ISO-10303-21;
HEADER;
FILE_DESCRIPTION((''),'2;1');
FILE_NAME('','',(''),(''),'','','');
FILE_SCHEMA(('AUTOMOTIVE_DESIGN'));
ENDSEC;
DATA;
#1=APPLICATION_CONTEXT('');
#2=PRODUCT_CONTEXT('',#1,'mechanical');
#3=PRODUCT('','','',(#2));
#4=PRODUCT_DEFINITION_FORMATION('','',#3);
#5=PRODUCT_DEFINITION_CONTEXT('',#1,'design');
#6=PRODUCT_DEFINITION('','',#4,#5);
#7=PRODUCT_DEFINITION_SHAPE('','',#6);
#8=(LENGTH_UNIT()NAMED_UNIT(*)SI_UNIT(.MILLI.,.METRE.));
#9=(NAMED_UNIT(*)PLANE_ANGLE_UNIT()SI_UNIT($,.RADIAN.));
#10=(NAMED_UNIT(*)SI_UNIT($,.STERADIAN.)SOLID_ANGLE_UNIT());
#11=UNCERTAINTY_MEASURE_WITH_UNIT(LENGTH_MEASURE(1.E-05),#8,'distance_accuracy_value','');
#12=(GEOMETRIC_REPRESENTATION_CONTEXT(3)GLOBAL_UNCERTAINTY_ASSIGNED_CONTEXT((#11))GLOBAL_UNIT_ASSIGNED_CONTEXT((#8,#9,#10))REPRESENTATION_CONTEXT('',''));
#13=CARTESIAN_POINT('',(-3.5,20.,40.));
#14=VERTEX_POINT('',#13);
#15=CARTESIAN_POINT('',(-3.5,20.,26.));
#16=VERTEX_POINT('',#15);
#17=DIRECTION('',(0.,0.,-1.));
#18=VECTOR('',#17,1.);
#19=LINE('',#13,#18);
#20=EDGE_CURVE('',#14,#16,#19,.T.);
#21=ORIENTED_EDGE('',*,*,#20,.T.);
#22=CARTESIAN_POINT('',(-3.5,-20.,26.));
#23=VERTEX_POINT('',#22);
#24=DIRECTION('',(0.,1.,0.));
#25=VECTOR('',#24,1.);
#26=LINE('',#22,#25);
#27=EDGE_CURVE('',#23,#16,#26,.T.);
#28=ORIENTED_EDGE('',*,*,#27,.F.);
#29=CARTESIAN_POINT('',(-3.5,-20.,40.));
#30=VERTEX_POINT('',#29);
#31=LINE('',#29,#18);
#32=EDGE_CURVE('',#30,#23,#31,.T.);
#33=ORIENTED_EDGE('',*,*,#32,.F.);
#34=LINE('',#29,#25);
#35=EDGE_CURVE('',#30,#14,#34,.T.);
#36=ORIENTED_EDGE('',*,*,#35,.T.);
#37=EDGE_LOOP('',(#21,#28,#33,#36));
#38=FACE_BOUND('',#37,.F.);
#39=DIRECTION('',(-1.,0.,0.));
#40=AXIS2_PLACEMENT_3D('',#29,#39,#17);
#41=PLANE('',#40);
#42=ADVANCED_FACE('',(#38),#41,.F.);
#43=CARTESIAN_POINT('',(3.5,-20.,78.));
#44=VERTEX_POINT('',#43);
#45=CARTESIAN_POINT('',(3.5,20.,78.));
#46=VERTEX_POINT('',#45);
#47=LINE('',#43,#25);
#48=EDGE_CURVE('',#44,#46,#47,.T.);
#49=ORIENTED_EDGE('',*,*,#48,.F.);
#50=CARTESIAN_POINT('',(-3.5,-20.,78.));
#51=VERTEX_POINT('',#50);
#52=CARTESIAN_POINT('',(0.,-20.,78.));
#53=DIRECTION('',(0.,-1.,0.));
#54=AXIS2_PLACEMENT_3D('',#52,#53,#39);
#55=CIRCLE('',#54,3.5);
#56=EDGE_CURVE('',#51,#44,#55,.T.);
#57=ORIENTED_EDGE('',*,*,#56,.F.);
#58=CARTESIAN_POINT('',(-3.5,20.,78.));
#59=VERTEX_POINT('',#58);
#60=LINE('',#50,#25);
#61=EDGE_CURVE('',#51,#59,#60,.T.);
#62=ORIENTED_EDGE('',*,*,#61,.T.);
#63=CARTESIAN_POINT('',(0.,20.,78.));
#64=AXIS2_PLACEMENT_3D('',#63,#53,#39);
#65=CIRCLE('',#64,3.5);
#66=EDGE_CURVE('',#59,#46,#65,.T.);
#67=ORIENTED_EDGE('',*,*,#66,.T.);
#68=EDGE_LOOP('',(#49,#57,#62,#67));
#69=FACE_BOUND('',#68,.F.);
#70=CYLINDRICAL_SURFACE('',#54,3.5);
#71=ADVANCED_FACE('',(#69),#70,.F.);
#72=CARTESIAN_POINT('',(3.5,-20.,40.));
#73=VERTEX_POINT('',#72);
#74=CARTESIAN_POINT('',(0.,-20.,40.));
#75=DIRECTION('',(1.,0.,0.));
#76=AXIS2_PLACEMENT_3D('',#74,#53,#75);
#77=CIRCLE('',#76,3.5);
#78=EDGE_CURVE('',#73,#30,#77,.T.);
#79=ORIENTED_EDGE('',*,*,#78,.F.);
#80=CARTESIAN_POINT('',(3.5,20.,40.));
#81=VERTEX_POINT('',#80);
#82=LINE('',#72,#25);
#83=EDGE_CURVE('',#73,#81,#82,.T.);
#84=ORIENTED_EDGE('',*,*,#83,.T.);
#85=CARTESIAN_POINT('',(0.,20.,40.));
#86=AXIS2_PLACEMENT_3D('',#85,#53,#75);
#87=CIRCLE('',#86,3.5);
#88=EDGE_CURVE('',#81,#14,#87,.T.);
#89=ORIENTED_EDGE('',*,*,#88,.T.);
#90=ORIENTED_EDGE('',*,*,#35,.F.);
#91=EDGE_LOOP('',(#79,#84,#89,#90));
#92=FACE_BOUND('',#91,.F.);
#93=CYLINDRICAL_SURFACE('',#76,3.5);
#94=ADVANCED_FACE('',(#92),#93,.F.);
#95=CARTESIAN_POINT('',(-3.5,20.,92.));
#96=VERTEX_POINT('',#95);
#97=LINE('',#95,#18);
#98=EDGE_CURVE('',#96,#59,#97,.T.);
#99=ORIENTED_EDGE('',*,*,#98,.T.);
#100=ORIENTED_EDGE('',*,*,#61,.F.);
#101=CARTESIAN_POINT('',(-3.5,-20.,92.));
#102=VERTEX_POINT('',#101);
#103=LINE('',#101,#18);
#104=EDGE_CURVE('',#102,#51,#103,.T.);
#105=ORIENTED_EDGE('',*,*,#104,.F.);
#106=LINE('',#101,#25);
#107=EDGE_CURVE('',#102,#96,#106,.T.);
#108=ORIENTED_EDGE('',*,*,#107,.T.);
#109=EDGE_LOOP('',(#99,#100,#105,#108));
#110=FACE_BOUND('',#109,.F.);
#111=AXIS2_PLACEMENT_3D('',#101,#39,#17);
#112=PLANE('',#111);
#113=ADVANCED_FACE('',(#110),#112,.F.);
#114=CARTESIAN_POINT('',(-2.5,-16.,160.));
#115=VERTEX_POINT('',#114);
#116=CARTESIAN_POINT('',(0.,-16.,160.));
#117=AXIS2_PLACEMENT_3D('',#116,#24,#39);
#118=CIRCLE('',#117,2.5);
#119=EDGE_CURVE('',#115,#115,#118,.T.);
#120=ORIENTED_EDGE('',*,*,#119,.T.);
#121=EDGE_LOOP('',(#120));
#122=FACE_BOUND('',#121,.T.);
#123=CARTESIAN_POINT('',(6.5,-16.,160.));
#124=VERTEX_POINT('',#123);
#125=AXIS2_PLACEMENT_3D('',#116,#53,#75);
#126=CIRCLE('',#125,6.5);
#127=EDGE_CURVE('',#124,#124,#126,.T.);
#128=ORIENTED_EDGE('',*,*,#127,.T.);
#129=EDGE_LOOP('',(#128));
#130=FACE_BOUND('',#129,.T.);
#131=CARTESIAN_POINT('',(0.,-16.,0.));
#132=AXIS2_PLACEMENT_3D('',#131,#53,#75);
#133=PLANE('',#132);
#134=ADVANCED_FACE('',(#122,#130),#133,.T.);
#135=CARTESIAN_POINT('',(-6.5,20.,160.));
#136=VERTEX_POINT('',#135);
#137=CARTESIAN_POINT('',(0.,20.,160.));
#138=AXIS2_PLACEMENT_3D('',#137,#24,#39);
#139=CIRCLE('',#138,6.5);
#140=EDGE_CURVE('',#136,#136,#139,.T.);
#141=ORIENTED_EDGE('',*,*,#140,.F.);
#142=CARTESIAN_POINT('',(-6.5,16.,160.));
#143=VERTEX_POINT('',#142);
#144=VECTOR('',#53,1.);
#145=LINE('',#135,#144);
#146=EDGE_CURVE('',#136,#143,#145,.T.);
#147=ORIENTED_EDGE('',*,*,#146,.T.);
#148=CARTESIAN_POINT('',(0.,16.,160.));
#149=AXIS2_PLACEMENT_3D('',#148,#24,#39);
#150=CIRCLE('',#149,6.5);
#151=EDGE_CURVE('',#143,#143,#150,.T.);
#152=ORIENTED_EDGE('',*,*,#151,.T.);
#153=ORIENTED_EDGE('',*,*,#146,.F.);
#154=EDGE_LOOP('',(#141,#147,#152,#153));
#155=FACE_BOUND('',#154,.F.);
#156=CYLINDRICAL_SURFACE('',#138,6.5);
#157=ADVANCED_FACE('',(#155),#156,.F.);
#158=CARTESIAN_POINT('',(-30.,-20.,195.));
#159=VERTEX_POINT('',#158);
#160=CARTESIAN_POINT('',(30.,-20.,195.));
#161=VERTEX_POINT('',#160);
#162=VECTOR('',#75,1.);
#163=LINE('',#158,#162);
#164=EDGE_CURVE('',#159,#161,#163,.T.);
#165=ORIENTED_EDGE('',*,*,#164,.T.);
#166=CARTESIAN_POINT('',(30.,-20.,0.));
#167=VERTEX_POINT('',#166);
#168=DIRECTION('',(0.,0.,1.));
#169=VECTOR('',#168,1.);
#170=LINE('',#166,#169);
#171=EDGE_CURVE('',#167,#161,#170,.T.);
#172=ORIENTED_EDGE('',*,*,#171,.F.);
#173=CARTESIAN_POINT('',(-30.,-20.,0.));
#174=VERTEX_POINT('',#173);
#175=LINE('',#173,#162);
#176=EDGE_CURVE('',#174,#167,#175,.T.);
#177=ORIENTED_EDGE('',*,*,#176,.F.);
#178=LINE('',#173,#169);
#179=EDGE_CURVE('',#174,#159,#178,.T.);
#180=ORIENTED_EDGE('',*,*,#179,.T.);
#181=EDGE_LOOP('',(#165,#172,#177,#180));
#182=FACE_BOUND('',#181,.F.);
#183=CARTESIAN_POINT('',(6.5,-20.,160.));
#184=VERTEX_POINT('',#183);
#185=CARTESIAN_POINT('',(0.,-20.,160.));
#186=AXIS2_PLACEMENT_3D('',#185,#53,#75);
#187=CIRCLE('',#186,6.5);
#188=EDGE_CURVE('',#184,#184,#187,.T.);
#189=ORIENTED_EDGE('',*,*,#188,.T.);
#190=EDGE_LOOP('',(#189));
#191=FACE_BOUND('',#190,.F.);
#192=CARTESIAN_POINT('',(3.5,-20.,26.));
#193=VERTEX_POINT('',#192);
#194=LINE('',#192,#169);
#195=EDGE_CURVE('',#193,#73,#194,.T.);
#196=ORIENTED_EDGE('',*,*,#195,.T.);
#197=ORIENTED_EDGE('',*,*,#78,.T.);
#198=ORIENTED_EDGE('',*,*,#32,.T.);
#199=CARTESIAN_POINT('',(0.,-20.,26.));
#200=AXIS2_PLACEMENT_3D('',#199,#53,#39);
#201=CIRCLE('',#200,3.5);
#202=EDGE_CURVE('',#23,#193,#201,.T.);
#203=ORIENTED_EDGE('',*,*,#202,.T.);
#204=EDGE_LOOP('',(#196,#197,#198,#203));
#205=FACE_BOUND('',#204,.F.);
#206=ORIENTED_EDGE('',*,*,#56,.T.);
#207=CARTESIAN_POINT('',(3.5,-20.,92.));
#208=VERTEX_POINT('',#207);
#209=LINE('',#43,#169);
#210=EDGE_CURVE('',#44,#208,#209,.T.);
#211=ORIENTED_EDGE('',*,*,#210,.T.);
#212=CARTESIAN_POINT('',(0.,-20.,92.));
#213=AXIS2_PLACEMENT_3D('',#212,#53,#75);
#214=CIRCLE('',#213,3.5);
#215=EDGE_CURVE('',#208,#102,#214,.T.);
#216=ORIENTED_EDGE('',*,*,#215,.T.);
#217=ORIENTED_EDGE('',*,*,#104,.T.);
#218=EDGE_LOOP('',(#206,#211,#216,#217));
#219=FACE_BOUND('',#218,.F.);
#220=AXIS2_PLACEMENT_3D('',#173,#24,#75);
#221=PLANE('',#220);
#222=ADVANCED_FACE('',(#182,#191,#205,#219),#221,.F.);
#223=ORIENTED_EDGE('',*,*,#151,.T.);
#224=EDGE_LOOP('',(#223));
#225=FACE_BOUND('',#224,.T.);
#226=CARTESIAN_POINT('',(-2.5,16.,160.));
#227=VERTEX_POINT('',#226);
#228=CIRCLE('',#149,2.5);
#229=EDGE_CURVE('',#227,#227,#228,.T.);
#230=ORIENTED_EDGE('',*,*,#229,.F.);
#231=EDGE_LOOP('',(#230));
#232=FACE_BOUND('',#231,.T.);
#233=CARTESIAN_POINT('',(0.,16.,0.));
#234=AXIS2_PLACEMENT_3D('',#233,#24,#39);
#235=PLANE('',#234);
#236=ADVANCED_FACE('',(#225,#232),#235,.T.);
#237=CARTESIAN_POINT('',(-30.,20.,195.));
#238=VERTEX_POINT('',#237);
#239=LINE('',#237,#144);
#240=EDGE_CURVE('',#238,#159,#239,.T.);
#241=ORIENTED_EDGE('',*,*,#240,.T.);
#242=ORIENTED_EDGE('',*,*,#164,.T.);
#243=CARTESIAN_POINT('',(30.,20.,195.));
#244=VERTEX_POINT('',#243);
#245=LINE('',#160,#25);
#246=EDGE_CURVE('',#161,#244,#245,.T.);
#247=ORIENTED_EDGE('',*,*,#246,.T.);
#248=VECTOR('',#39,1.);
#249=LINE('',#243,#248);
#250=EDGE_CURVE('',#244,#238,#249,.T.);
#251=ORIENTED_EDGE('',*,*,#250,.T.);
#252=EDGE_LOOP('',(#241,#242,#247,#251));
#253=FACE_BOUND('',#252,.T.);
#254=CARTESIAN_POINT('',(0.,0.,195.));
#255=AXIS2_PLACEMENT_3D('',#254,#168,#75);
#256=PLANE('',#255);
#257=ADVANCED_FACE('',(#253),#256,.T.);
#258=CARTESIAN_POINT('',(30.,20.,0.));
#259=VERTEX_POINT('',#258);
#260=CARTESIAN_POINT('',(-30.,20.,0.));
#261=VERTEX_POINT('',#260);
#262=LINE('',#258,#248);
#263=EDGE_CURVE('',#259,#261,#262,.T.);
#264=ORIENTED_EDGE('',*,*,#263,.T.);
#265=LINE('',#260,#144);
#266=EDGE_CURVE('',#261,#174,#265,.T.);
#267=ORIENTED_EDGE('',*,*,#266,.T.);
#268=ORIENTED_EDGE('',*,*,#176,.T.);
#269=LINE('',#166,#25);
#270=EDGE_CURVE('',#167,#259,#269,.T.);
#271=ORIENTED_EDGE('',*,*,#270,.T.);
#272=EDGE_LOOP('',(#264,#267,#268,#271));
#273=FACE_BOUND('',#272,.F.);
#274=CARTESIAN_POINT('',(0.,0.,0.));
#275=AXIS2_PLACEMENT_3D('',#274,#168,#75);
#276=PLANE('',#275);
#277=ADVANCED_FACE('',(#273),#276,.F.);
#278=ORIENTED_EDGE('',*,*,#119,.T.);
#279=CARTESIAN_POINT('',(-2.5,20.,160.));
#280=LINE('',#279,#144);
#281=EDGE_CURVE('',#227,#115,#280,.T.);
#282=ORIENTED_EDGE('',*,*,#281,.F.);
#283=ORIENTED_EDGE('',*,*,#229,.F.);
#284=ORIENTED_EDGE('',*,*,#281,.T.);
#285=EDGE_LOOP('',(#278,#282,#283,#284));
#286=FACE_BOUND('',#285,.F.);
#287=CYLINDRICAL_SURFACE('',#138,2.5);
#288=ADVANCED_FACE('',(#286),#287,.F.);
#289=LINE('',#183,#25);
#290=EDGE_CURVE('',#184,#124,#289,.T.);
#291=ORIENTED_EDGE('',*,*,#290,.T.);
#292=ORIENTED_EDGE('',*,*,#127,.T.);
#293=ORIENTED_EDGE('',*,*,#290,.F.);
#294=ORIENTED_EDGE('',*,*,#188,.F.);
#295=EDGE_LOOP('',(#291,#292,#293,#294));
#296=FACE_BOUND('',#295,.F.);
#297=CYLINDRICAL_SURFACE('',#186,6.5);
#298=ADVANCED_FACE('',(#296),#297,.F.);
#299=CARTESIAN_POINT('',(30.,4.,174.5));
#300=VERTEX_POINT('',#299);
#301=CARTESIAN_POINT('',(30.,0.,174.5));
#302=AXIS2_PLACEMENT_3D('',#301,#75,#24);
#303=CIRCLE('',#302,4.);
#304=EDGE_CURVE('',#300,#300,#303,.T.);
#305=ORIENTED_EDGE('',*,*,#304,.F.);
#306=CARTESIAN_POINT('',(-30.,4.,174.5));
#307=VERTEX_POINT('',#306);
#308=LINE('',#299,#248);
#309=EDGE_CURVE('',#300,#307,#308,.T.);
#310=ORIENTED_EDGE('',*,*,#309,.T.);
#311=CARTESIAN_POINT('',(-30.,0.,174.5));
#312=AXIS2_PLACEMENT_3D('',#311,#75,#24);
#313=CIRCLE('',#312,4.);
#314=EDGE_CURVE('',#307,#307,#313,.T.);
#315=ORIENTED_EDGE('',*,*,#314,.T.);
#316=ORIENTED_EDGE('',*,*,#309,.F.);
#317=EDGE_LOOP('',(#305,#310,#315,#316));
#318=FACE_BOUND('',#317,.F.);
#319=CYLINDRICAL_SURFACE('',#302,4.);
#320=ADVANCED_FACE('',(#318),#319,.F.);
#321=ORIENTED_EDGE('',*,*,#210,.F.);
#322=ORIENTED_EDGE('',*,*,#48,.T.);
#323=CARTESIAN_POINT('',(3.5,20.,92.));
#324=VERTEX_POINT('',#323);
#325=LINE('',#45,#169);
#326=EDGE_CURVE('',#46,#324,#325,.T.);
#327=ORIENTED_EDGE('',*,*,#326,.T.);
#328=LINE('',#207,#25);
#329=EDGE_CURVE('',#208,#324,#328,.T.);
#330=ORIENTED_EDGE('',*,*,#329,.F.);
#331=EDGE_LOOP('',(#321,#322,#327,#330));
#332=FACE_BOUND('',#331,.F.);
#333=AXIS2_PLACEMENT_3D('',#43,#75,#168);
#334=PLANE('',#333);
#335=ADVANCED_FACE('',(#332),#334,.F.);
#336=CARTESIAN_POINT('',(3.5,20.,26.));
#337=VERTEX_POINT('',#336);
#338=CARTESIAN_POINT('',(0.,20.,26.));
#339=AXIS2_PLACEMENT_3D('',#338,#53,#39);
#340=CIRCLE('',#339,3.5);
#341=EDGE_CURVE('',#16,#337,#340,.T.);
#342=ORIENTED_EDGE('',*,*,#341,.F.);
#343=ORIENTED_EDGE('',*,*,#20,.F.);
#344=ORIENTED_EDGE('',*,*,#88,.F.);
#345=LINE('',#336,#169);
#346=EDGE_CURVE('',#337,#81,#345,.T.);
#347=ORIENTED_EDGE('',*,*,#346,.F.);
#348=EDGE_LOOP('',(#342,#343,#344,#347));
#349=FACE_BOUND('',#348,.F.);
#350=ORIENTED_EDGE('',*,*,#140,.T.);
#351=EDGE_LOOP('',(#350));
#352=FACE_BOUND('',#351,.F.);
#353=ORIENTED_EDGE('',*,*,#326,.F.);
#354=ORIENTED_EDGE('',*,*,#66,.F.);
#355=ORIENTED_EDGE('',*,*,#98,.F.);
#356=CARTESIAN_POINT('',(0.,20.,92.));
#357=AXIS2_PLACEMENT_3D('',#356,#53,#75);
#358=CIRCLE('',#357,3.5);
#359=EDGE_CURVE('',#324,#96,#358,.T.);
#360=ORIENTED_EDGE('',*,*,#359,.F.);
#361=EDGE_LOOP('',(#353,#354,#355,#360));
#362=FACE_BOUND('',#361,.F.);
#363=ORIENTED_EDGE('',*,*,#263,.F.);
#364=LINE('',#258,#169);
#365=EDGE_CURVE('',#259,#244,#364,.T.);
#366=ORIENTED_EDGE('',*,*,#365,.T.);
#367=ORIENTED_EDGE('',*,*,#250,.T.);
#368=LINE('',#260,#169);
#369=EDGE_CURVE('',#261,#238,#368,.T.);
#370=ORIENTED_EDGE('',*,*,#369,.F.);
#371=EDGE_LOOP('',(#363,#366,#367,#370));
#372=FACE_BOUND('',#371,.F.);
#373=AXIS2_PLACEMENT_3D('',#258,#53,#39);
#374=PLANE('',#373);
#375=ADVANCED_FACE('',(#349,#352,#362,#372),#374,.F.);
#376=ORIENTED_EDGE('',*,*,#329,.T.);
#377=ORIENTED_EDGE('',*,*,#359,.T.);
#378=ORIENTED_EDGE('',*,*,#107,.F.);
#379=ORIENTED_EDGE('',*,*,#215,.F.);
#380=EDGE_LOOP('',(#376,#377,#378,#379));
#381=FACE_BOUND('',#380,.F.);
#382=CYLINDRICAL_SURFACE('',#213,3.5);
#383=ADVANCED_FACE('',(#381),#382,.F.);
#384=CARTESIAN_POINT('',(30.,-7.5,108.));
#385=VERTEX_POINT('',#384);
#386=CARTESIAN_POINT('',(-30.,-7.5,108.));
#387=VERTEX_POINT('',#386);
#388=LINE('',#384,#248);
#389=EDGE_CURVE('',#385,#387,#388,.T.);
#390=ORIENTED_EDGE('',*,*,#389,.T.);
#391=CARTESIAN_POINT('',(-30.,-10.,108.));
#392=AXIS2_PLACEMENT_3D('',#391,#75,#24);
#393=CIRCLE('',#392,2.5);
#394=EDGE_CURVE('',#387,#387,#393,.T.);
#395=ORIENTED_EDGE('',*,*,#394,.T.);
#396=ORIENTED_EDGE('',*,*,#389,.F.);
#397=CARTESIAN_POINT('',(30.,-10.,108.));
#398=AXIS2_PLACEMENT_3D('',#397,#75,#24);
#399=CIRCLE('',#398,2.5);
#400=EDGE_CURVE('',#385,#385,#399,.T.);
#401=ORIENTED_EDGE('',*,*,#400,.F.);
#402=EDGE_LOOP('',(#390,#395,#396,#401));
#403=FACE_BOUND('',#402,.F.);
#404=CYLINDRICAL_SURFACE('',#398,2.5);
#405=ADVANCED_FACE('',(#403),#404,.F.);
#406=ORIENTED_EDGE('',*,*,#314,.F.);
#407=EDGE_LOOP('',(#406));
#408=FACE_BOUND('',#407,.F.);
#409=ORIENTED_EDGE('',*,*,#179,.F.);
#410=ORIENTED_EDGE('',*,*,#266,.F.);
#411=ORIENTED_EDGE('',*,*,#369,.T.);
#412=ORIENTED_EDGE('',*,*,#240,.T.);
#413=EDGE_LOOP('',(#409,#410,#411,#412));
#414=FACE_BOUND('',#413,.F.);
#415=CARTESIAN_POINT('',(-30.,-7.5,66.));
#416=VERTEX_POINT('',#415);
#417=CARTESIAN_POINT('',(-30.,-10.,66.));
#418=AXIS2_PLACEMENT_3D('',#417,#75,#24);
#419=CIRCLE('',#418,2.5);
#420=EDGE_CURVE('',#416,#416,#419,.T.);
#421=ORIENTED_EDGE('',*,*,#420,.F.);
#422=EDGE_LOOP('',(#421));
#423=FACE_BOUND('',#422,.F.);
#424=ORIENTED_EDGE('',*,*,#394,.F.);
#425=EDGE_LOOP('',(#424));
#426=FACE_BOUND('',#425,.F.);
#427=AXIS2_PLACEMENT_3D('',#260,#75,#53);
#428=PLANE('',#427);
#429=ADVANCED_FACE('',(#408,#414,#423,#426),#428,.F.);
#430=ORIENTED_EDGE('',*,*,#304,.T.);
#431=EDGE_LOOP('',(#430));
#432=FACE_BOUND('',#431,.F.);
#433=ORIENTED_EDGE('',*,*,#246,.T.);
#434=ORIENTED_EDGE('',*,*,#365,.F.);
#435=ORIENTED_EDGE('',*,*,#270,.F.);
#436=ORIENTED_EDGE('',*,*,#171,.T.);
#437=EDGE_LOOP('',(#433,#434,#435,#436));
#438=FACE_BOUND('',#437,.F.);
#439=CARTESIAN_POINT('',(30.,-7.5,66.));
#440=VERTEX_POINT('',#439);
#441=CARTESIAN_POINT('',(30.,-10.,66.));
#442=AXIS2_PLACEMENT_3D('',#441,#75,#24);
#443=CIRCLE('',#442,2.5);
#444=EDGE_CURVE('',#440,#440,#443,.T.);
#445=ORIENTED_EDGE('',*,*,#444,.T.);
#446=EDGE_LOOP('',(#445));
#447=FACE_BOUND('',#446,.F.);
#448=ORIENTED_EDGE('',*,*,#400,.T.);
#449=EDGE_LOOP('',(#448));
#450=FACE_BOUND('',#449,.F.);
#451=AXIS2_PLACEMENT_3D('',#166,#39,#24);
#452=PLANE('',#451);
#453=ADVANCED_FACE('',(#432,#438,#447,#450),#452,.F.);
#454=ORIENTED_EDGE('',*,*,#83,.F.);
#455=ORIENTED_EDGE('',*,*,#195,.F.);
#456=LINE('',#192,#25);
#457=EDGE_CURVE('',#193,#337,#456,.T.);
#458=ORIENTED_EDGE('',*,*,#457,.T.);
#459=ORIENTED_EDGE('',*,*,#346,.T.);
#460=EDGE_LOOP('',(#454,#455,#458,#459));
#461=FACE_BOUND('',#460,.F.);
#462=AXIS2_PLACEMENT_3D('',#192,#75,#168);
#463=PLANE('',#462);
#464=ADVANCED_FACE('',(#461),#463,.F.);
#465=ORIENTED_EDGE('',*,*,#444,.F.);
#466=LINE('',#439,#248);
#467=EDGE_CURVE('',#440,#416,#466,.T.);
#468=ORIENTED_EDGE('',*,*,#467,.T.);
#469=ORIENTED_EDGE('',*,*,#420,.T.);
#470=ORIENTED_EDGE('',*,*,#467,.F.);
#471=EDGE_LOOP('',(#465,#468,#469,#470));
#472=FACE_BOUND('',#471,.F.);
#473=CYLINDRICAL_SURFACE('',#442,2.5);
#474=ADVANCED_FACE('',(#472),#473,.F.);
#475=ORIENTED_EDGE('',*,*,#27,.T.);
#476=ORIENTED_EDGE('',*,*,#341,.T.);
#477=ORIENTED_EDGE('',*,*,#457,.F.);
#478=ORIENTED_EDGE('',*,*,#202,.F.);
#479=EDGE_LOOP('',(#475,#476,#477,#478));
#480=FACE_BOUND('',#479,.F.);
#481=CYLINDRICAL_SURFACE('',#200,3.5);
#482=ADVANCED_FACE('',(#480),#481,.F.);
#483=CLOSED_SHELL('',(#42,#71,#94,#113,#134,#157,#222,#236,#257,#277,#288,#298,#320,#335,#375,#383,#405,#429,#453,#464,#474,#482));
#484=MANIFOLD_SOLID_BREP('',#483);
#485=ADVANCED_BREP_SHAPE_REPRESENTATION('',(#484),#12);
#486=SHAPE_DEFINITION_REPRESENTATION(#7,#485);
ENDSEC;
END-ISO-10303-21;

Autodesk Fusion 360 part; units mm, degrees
sketch "Skizze1" plane through (0, 0, 0) normal (0, 0, 1) x (1, 0, 0)
  line L0 (30, 20) -> (-30, 20)
  line L1 (-30, 20) -> (-30, -20)
  line L2 (-30, -20) -> (30, -20)
  line L3 (30, -20) -> (30, 20)
  line L4 (30, 20) -> (-30, -20) construction
  line L5 (-30, 20) -> (30, -20) construction
  dimension "d2" = 60
  dimension "d3" = 40
extrude "Extrusion1" add sketch "Skizze1" along normal blind 195
sketch "Skizze3" plane through (0, -20, 0) normal (0, -1, 0) x (1, 0, 0)
  line L0 (-30, 0) -> (30, 0)
  line L1 (30, 0) -> (30, 195)
  line L2 (30, 195) -> (-30, 195)
  line L3 (-30, 195) -> (-30, 0)
  line L4 (-3.5, 40) -> (-3.5, 26)
  arc A0 (-3.5, 26) -> (3.5, 26) centre (0, 26) ccw
  line L5 (3.5, 26) -> (3.5, 40)
  arc A1 (3.5, 40) -> (-3.5, 40) centre (0, 40) ccw
  line L6 (0, 40) -> (0, 26) construction
  line L7 (-3.5, 92) -> (-3.5, 78)
  arc A2 (-3.5, 78) -> (3.5, 78) centre (0, 78) ccw
  line L8 (3.5, 78) -> (3.5, 92)
  arc A3 (3.5, 92) -> (-3.5, 92) centre (0, 92) ccw
  line L9 (0, 92) -> (0, 78) construction
  point P0 (0, 195)
  dimension "d6" = 14
  dimension "d7" = 7
  dimension "d8" = 14
  dimension "d9" = 7
extrude "Extrusion2" cut sketch "Skizze3" against normal blind 40 contours L4 A0 L5 A1 | L7 A2 L8 A3
sketch "Skizze4" plane through (30, 0, 0) normal (1, 0, 0) x (0, 1, 0)
  line L0 (-20, 0) -> (20, 0)
  line L1 (20, 0) -> (20, 195)
  line L2 (20, 195) -> (-20, 195)
  line L3 (-20, 195) -> (-20, 0)
  circle A0 centre (0, 174.5) radius 4
  dimension "d12" = 8
extrude "Extrusion3" cut sketch "Skizze4" against normal blind 60 contours A0
sketch "Skizze6" plane through (0, 0, 0) normal (0, 1, 0) x (1, 0, 0)
sketch "Skizze7" plane through (0, 20, 0) normal (0, 1, 0) x (-1, 0, 0)
  line L0 (3.5, 40) -> (3.5, 26)
  arc A0 (-3.5, 26) -> (3.5, 26) centre (0, 26) ccw
  line L1 (-3.5, 26) -> (-3.5, 40)
  arc A1 (3.5, 40) -> (-3.5, 40) centre (0, 40) ccw
  line L2 (3.5, 92) -> (3.5, 78)
  arc A2 (-3.5, 78) -> (3.5, 78) centre (0, 78) ccw
  line L3 (-3.5, 78) -> (-3.5, 92)
  arc A3 (3.5, 92) -> (-3.5, 92) centre (0, 92) ccw
  line L4 (-30, 0) -> (30, 0)
  line L5 (30, 0) -> (30, 195)
  line L6 (30, 195) -> (-30, 195)
  line L7 (-30, 195) -> (-30, 0)
  circle A4 centre (0, 160) radius 2.5
  dimension "d17" = 5
extrude "Extrusion4" cut sketch "Skizze7" against normal blind 40 contours A4
sketch "Skizze9" plane through (30, 0, 0) normal (1, 0, 0) x (0, 1, 0)
  circle A0 centre (0, 174.5) radius 4
  line L0 (-20, 0) -> (20, 0)
  line L1 (20, 0) -> (20, 195)
  line L2 (20, 195) -> (-20, 195)
  line L3 (-20, 195) -> (-20, 0)
  circle A1 centre (-10, 108) radius 2.5
  circle A2 centre (-10, 66) radius 2.5
  dimension "d23" = 5
  dimension "d24" = 5
extrude "Extrusion6" cut sketch "Skizze9" against normal blind 80 contours A1 | A2
sketch "Skizze10" plane through (0, 20, 0) normal (0, 1, 0) x (-1, 0, 0)
  circle A0 centre (0, 160) radius 2.5
  line L0 (3.5, 40) -> (3.5, 26)
  arc A1 (-3.5, 26) -> (3.5, 26) centre (0, 26) ccw
  line L1 (-3.5, 26) -> (-3.5, 40)
  arc A2 (3.5, 40) -> (-3.5, 40) centre (0, 40) ccw
  line L2 (3.5, 92) -> (3.5, 78)
  arc A3 (-3.5, 78) -> (3.5, 78) centre (0, 78) ccw
  line L3 (-3.5, 78) -> (-3.5, 92)
  arc A4 (3.5, 92) -> (-3.5, 92) centre (0, 92) ccw
  line L4 (-30, 0) -> (30, 0)
  line L5 (30, 0) -> (30, 195)
  line L6 (30, 195) -> (-30, 195)
  line L7 (-30, 195) -> (-30, 0)
  circle A5 centre (0, 160) radius 6.5
  dimension "d27" = 13
extrude "Extrusion7" cut sketch "Skizze10" against normal blind 4 contours A5
sketch "Skizze11" plane through (0, -20, 0) normal (0, -1, 0) x (1, 0, 0)
  circle A0 centre (0, 160) radius 2.5
  line L0 (-3.5, 26) -> (-3.5, 40)
  arc A1 (3.5, 40) -> (-3.5, 40) centre (0, 40) ccw
  line L1 (3.5, 40) -> (3.5, 26)
  arc A2 (-3.5, 26) -> (3.5, 26) centre (0, 26) ccw
  line L2 (-3.5, 78) -> (-3.5, 92)
  arc A3 (3.5, 92) -> (-3.5, 92) centre (0, 92) ccw
  line L3 (3.5, 92) -> (3.5, 78)
  arc A4 (-3.5, 78) -> (3.5, 78) centre (0, 78) ccw
  line L4 (-30, 0) -> (30, 0)
  line L5 (30, 0) -> (30, 195)
  line L6 (30, 195) -> (-30, 195)
  line L7 (-30, 195) -> (-30, 0)
  circle A5 centre (0, 160) radius 6.5
  dimension "d30" = 13
extrude "Extrusion8" cut sketch "Skizze11" against normal blind 4 contours A5
